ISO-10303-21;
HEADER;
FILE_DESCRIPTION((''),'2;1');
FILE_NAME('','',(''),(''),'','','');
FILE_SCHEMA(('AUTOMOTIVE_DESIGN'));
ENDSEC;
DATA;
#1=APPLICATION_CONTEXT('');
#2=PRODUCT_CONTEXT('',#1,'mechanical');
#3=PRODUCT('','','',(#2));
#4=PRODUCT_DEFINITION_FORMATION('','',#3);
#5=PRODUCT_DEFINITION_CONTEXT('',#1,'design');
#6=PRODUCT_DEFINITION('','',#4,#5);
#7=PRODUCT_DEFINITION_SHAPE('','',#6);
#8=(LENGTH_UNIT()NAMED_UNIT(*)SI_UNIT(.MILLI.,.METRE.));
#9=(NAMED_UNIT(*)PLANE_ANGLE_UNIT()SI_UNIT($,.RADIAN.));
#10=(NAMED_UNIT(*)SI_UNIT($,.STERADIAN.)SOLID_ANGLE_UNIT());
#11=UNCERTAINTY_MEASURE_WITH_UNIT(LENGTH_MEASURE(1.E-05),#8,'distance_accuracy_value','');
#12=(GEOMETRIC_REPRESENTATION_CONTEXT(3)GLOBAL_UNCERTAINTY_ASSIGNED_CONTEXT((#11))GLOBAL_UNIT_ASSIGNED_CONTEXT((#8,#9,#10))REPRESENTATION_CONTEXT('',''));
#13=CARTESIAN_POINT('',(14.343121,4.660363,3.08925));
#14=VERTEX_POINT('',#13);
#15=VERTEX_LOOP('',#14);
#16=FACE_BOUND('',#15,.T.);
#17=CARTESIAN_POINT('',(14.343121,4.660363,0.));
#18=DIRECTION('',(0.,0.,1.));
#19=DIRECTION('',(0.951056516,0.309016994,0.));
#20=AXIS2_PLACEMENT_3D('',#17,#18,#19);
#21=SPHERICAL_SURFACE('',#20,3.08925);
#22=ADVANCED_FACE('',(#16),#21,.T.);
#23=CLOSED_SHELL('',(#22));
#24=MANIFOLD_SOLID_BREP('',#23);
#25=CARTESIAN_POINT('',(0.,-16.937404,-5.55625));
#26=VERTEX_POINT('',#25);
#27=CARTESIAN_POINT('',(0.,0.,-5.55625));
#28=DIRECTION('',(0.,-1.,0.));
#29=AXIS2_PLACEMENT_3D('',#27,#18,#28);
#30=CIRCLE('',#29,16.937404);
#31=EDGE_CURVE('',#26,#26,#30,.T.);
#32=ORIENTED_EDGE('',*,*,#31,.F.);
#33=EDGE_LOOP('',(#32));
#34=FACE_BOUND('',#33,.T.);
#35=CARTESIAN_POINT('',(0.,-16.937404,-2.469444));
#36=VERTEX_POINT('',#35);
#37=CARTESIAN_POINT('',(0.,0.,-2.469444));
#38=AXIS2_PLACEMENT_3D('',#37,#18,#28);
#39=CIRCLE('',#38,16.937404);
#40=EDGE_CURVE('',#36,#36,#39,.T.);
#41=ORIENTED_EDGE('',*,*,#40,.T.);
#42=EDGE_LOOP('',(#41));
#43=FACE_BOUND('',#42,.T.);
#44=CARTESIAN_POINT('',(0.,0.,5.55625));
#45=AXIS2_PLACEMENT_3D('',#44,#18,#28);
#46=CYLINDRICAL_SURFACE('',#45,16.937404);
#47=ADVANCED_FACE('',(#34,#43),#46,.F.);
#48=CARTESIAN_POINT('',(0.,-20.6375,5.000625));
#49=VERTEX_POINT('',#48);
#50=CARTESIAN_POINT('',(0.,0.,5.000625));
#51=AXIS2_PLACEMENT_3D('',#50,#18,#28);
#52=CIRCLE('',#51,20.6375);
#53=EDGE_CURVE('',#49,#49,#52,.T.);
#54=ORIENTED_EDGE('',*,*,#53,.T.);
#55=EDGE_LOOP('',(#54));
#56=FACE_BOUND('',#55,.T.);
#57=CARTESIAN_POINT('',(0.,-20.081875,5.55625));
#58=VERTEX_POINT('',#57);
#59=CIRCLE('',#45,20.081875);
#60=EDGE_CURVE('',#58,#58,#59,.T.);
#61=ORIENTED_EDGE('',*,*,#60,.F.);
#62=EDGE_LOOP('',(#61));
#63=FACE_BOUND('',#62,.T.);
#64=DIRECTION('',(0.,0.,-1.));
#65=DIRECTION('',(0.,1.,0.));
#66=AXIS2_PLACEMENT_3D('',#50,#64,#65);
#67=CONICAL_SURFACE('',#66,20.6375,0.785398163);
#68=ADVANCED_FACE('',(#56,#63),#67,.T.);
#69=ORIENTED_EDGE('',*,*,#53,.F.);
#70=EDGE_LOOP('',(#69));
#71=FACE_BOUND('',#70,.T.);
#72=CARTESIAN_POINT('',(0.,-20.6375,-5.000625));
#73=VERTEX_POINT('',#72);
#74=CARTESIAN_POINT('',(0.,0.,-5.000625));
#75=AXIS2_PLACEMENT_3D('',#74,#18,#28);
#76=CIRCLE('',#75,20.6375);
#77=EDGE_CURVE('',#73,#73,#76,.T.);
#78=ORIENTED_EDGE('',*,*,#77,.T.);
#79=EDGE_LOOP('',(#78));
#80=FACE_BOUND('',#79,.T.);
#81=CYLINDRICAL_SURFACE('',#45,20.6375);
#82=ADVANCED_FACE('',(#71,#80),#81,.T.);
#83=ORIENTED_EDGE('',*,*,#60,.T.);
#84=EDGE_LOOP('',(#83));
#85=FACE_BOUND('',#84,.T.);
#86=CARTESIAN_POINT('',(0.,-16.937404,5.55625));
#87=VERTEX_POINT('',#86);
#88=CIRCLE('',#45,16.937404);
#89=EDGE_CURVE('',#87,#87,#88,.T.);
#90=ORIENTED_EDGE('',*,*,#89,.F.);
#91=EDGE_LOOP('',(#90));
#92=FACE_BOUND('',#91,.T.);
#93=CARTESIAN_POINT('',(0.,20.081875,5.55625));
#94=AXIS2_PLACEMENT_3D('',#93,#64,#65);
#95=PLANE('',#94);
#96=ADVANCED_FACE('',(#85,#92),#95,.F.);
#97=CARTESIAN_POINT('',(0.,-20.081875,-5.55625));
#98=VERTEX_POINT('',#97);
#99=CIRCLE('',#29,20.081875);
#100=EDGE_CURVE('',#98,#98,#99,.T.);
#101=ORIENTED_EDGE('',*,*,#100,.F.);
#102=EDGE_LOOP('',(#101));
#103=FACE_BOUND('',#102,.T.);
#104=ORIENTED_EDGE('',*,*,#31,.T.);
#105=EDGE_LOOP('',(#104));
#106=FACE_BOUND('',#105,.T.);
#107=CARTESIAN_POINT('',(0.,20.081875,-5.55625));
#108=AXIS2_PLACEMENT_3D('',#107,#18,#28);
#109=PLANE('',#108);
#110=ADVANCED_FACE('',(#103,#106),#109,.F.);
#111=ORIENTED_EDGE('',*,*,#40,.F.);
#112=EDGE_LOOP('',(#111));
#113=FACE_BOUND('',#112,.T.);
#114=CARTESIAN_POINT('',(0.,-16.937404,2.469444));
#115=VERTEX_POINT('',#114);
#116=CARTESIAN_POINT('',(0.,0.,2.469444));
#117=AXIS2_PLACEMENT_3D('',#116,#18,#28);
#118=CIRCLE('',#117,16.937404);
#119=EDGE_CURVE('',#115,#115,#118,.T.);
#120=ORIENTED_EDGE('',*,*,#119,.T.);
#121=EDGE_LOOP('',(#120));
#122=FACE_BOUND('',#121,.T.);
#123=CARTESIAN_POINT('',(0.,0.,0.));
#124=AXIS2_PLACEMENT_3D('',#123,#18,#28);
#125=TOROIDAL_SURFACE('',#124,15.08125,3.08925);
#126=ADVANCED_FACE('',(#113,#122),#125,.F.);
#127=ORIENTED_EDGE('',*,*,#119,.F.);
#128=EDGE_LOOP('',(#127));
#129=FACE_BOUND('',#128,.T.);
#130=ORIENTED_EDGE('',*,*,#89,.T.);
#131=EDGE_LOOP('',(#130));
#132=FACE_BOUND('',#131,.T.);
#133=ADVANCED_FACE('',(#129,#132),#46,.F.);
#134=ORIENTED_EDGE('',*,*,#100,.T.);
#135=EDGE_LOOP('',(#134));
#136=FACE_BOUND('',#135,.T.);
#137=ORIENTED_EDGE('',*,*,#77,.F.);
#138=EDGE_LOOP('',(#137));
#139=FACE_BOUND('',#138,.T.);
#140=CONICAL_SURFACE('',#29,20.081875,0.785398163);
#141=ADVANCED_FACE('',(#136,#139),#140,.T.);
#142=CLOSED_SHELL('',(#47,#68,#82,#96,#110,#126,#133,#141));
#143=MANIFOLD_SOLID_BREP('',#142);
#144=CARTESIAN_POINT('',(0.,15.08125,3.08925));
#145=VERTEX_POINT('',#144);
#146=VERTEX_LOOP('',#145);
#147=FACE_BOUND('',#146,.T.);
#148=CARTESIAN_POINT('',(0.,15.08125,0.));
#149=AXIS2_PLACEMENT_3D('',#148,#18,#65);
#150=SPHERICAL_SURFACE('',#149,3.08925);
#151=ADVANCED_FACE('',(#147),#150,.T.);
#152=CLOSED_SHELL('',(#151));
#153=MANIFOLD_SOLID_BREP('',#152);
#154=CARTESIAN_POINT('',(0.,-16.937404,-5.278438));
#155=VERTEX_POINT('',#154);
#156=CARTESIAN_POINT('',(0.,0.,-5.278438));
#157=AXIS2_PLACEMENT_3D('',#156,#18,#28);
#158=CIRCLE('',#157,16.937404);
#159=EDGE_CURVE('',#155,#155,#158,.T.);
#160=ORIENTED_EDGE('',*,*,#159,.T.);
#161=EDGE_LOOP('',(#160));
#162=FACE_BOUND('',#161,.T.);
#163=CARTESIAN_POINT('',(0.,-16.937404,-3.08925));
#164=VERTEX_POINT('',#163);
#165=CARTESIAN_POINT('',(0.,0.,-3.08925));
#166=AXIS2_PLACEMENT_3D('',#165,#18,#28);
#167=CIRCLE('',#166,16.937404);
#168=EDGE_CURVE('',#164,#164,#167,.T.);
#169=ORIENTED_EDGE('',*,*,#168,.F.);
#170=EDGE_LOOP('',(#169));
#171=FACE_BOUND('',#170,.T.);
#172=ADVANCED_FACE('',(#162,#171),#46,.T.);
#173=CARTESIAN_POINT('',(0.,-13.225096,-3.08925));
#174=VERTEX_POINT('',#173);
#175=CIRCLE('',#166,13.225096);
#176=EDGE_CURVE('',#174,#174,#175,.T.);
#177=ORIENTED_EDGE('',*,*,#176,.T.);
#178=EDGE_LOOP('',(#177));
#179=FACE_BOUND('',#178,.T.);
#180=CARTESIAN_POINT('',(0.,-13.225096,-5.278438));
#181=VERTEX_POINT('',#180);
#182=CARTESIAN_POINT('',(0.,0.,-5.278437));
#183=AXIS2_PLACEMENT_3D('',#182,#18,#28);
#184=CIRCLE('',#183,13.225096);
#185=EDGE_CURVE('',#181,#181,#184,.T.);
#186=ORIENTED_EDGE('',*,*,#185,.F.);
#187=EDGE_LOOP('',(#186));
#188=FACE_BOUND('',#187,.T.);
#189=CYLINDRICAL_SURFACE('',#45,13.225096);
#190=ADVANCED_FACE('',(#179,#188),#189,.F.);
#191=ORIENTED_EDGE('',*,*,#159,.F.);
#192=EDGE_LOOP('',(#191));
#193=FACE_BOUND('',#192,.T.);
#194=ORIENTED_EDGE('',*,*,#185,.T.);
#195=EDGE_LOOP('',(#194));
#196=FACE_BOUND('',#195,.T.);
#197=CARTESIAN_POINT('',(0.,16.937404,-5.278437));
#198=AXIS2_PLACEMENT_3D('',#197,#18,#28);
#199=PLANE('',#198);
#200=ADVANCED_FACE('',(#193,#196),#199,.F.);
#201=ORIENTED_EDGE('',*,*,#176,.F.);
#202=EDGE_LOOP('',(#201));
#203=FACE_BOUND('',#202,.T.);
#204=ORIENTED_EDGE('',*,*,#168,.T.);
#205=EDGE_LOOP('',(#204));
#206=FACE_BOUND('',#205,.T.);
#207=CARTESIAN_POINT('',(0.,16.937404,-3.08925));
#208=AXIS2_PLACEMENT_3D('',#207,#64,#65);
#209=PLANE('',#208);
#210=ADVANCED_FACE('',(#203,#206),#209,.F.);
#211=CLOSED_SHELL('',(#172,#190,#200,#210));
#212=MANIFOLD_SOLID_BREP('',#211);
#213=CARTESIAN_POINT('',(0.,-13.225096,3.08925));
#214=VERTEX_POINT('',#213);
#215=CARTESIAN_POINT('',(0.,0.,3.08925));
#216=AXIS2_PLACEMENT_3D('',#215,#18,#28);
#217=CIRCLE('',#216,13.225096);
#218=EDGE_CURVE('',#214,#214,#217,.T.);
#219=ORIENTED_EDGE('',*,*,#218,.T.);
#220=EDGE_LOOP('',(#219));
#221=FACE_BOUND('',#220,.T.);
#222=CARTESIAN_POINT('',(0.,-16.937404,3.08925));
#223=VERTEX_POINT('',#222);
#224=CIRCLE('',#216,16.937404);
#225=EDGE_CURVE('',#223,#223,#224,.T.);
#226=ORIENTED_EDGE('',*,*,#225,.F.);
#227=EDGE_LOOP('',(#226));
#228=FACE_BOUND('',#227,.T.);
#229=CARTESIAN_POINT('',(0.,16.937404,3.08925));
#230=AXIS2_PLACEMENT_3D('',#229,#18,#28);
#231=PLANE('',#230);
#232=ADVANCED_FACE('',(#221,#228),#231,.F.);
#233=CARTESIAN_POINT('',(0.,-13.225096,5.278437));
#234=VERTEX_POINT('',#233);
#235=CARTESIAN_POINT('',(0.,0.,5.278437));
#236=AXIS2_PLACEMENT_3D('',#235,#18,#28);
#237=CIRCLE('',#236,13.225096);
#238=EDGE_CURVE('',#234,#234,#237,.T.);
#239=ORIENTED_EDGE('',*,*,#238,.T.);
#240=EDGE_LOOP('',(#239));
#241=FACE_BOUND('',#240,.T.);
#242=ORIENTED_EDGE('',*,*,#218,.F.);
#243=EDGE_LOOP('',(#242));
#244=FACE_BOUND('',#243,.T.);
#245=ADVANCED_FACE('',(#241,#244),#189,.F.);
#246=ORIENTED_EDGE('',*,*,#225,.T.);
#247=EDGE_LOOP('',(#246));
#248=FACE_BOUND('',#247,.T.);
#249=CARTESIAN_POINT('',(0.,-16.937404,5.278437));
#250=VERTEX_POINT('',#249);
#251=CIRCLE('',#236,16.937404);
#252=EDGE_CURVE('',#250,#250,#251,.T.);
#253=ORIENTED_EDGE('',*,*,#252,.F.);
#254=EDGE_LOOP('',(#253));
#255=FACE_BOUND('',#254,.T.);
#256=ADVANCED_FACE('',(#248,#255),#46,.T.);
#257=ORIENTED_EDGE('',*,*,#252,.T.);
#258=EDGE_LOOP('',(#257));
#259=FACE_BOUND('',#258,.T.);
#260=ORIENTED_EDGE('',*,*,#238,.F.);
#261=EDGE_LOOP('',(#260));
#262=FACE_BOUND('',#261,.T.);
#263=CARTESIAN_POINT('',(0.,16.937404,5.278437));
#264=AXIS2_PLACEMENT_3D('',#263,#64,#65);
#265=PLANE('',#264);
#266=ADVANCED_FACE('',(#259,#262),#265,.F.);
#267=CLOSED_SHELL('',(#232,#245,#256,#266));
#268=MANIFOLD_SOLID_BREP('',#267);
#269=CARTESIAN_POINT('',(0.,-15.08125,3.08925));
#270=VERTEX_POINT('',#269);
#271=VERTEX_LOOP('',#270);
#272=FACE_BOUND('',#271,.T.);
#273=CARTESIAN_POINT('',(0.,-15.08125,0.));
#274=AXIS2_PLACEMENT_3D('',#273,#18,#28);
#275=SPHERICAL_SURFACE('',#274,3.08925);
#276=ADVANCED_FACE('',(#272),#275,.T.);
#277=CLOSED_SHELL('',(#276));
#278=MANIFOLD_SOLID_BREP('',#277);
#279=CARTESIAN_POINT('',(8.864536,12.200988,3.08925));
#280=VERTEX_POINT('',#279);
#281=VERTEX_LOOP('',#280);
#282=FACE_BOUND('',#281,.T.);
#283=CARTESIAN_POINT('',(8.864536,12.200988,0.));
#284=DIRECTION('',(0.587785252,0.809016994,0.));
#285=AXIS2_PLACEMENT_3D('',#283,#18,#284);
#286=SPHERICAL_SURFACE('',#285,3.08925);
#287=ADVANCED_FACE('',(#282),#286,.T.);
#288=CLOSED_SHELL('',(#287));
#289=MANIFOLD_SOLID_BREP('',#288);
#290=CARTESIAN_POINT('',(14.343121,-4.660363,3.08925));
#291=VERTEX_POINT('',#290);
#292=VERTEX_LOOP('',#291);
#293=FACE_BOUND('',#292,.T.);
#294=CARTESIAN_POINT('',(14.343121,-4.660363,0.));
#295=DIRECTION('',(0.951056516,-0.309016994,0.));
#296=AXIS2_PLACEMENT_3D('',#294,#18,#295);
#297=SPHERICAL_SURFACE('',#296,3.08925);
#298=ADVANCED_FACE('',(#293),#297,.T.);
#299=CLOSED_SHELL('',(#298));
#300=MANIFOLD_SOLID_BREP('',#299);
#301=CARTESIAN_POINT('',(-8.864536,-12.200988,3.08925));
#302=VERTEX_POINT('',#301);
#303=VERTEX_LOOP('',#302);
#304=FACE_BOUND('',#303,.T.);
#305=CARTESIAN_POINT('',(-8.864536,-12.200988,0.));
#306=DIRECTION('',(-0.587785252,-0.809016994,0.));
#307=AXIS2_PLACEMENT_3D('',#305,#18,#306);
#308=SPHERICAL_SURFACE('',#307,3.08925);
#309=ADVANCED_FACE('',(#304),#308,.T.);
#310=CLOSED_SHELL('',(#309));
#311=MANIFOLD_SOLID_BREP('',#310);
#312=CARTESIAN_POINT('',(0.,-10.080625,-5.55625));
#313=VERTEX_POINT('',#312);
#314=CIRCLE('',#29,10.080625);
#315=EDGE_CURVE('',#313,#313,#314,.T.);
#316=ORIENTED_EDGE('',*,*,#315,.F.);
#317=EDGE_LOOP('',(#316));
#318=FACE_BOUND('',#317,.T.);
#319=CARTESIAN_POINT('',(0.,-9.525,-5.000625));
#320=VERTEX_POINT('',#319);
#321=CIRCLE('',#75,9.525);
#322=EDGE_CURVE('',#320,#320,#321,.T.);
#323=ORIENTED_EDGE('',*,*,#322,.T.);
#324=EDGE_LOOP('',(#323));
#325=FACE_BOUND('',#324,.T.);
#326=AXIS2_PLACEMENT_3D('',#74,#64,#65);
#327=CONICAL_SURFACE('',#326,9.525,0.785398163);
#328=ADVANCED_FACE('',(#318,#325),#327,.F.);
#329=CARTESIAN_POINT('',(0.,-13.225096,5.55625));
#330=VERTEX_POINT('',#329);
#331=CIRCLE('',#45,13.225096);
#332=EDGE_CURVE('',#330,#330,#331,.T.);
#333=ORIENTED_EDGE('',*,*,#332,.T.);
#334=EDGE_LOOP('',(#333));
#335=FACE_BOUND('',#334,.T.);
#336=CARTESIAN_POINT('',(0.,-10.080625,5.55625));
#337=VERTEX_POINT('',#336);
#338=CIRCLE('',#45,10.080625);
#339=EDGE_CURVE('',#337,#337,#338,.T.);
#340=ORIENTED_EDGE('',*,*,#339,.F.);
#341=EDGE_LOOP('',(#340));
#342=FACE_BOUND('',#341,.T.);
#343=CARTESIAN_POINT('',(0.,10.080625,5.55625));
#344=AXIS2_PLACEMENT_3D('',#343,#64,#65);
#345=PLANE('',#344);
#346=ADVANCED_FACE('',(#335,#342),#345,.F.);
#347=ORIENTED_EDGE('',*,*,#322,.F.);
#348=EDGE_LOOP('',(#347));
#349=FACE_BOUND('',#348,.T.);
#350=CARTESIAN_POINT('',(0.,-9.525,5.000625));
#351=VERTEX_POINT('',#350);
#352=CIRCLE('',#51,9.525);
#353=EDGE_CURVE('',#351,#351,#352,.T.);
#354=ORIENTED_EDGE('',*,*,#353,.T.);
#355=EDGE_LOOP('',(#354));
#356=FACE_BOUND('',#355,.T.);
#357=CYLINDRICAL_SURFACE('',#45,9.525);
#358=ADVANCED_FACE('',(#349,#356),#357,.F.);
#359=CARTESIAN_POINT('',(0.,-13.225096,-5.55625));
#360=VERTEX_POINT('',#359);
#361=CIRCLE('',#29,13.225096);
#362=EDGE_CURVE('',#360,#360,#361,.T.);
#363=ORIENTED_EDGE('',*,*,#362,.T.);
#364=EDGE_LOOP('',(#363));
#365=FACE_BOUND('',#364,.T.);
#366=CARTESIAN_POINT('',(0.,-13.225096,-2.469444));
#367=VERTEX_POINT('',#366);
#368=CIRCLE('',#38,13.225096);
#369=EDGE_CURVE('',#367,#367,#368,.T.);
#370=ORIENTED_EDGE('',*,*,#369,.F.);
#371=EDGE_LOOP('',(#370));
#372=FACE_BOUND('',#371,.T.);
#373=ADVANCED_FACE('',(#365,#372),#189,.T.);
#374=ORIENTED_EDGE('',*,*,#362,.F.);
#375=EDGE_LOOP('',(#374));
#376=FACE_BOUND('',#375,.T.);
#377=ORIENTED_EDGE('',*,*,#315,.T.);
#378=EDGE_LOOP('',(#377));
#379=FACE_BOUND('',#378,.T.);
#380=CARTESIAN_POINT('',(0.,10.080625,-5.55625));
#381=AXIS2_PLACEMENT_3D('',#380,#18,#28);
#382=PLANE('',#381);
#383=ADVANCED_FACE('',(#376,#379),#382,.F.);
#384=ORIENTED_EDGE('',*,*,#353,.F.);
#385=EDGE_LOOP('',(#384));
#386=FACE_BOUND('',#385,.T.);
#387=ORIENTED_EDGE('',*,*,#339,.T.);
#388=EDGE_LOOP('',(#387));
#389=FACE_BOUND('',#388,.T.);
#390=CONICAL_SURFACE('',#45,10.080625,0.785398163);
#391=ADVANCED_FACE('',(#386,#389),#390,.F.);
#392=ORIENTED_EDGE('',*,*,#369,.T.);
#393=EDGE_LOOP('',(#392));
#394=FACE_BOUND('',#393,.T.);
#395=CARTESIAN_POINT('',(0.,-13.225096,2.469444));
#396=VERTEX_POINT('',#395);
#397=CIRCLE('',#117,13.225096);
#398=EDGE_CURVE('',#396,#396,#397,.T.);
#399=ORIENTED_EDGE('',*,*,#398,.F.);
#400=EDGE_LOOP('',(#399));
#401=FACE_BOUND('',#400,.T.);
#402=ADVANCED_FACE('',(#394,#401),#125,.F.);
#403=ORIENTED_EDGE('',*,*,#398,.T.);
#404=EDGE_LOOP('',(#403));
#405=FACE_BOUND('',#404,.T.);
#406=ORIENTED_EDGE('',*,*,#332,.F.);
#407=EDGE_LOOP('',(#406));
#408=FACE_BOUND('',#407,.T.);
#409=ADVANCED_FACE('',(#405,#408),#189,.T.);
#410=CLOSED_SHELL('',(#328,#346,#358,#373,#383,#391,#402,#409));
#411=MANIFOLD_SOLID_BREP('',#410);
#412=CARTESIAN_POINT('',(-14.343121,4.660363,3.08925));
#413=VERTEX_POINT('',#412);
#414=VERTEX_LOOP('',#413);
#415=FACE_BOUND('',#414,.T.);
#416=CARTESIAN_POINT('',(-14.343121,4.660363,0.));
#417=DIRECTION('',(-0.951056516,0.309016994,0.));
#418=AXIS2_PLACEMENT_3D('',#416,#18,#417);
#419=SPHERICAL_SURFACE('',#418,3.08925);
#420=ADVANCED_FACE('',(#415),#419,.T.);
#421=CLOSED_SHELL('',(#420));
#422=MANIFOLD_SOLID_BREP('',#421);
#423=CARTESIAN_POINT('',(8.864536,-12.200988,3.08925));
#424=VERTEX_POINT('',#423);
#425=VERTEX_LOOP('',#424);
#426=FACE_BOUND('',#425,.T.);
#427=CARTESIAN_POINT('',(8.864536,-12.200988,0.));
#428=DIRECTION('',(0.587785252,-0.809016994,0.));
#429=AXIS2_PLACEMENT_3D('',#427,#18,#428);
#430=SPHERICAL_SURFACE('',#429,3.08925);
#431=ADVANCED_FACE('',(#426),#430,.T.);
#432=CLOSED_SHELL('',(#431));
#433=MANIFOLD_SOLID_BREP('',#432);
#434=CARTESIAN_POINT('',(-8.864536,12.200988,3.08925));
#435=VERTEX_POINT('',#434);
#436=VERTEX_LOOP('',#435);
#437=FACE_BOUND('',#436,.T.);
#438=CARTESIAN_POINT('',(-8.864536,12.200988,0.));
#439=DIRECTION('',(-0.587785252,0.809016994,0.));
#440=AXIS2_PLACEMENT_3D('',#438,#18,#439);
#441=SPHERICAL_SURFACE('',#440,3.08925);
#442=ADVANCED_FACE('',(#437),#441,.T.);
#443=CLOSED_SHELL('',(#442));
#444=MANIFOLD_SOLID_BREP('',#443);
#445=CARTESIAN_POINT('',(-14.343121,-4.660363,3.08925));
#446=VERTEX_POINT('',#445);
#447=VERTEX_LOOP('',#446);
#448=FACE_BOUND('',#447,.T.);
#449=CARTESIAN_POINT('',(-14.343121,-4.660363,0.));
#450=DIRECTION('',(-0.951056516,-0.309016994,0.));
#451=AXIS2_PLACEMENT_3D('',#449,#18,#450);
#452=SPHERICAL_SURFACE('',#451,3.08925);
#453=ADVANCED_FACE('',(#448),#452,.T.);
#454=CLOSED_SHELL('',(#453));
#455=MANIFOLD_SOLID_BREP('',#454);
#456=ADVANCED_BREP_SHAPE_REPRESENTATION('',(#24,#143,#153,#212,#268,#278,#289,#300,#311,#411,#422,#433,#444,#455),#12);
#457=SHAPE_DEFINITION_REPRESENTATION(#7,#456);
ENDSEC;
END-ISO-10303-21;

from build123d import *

# Parameters (mm, degrees)
CIRPATTERN1_COUNT = 10
SKETCH5_W         = 2.18918792
SKETCH5_H         = 3.712307692


with BuildPart() as part:
    # Sketch7 → Revolve6 (revolve)
    with BuildSketch(Plane(origin=(0, 0, 0), x_dir=(0, 0, -1), z_dir=(1, 0, 0)), mode=Mode.PRIVATE) as revolve6_sk:
        with BuildLine():
            Line((5.000625, 20.6375), (5.55625, 20.081875))
            Line((5.55625, 20.081875), (5.55625, 16.937403846))
            Line((5.55625, 16.937403846), (2.469444444, 16.937403846))
            ThreePointArc((2.469444444, 16.937403846), (0, 18.17049958), (-2.469444444, 16.937403846))
            Line((-2.469444444, 16.937403846), (-5.55625, 16.937403846))
            Line((-5.55625, 16.937403846), (-5.55625, 20.081875))
            Line((-5.55625, 20.081875), (-5.000625, 20.6375))
            Line((-5.000625, 20.6375), (5.000625, 20.6375))
        make_face()
    revolve(revolve6_sk.sketch.rotate(Axis((0, 0, 5.55625), (0, 0, -1)), 180), axis=Axis((0, 0, 5.55625), (0, 0, -1)))


with BuildPart() as body_2:
    # Sketch3 → Revolve3 (revolve)
    with BuildSketch(Plane(origin=(0, 0, 0), x_dir=(0, 0, -1), z_dir=(1, 0, 0)), mode=Mode.PRIVATE) as revolve3_sk:
        with BuildLine():
            Line((-5.000625, 9.525), (-5.55625, 10.080625))
            Line((-5.55625, 10.080625), (-5.55625, 13.225096154))
            Line((-5.55625, 13.225096154), (-2.469444444, 13.225096154))
            ThreePointArc((-2.469444444, 13.225096154), (0, 11.99200042), (2.469444444, 13.225096154))
            Line((2.469444444, 13.225096154), (5.55625, 13.225096154))
            Line((5.55625, 13.225096154), (5.55625, 10.080625))
            Line((5.55625, 10.080625), (5.000625, 9.525))
            Line((5.000625, 9.525), (-5.000625, 9.525))
        make_face()
    revolve(revolve3_sk.sketch.rotate(Axis((0, 0, 5.55625), (0, 0, -1)), 180), axis=Axis((0, 0, 5.55625), (0, 0, -1)))


with BuildPart() as body_3:
    # Sketch4 → Revolve4 (revolve)
    with BuildSketch(Plane(origin=(0, 0, 0), x_dir=(0, 0, -1), z_dir=(1, 0, 0))):
        with BuildLine():
            Line((-3.08924958, 15.08125), (3.08924958, 15.08125))
            ThreePointArc((3.08924958, 15.08125), (0, 18.17049958), (-3.08924958, 15.08125))
        make_face()
    revolve(axis=Axis((0, 15.08125, 3.08924958), (0, 0, -1)))


with BuildPart() as cirpattern1_1:
    # CirPattern1: pattern copy
    add(body_3.part.rotate(Axis((0, 0, 0), (0, 0, 1)), 1 * 360 / CIRPATTERN1_COUNT))


with BuildPart() as cirpattern1_2:
    # CirPattern1: pattern copy
    add(body_3.part.rotate(Axis((0, 0, 0), (0, 0, 1)), 2 * 360 / CIRPATTERN1_COUNT))


with BuildPart() as cirpattern1_3:
    # CirPattern1: pattern copy
    add(body_3.part.rotate(Axis((0, 0, 0), (0, 0, 1)), 3 * 360 / CIRPATTERN1_COUNT))


with BuildPart() as cirpattern1_4:
    # CirPattern1: pattern copy
    add(body_3.part.rotate(Axis((0, 0, 0), (0, 0, 1)), 4 * 360 / CIRPATTERN1_COUNT))


with BuildPart() as cirpattern1_5:
    # CirPattern1: pattern copy
    add(body_3.part.rotate(Axis((0, 0, 0), (0, 0, 1)), 5 * 360 / CIRPATTERN1_COUNT))


with BuildPart() as cirpattern1_6:
    # CirPattern1: pattern copy
    add(body_3.part.rotate(Axis((0, 0, 0), (0, 0, 1)), 6 * 360 / CIRPATTERN1_COUNT))


with BuildPart() as cirpattern1_7:
    # CirPattern1: pattern copy
    add(body_3.part.rotate(Axis((0, 0, 0), (0, 0, 1)), 7 * 360 / CIRPATTERN1_COUNT))


with BuildPart() as cirpattern1_8:
    # CirPattern1: pattern copy
    add(body_3.part.rotate(Axis((0, 0, 0), (0, 0, 1)), 8 * 360 / CIRPATTERN1_COUNT))


with BuildPart() as cirpattern1_9:
    # CirPattern1: pattern copy
    add(body_3.part.rotate(Axis((0, 0, 0), (0, 0, 1)), 9 * 360 / CIRPATTERN1_COUNT))


with BuildPart() as body_13:
    # Sketch5 → Revolve5 (revolve)
    with BuildSketch(Plane(origin=(0, 0, 0), x_dir=(0, 0, -1), z_dir=(1, 0, 0)), mode=Mode.PRIVATE) as revolve5_sk:
        with Locations((-4.18384354, 15.08125)):
            Rectangle(SKETCH5_W, SKETCH5_H)
        with Locations((4.18384354, 15.08125)):
            Rectangle(SKETCH5_W, SKETCH5_H)
    revolve(revolve5_sk.sketch.rotate(Axis((0, 0, 5.55625), (0, 0, -1)), 180), axis=Axis((0, 0, 5.55625), (0, 0, -1)))


solid = Compound([part.part, body_2.part, body_3.part, cirpattern1_1.part, cirpattern1_2.part, cirpattern1_3.part, cirpattern1_4.part, cirpattern1_5.part, cirpattern1_6.part, cirpattern1_7.part, cirpattern1_8.part, cirpattern1_9.part, body_13.part])
